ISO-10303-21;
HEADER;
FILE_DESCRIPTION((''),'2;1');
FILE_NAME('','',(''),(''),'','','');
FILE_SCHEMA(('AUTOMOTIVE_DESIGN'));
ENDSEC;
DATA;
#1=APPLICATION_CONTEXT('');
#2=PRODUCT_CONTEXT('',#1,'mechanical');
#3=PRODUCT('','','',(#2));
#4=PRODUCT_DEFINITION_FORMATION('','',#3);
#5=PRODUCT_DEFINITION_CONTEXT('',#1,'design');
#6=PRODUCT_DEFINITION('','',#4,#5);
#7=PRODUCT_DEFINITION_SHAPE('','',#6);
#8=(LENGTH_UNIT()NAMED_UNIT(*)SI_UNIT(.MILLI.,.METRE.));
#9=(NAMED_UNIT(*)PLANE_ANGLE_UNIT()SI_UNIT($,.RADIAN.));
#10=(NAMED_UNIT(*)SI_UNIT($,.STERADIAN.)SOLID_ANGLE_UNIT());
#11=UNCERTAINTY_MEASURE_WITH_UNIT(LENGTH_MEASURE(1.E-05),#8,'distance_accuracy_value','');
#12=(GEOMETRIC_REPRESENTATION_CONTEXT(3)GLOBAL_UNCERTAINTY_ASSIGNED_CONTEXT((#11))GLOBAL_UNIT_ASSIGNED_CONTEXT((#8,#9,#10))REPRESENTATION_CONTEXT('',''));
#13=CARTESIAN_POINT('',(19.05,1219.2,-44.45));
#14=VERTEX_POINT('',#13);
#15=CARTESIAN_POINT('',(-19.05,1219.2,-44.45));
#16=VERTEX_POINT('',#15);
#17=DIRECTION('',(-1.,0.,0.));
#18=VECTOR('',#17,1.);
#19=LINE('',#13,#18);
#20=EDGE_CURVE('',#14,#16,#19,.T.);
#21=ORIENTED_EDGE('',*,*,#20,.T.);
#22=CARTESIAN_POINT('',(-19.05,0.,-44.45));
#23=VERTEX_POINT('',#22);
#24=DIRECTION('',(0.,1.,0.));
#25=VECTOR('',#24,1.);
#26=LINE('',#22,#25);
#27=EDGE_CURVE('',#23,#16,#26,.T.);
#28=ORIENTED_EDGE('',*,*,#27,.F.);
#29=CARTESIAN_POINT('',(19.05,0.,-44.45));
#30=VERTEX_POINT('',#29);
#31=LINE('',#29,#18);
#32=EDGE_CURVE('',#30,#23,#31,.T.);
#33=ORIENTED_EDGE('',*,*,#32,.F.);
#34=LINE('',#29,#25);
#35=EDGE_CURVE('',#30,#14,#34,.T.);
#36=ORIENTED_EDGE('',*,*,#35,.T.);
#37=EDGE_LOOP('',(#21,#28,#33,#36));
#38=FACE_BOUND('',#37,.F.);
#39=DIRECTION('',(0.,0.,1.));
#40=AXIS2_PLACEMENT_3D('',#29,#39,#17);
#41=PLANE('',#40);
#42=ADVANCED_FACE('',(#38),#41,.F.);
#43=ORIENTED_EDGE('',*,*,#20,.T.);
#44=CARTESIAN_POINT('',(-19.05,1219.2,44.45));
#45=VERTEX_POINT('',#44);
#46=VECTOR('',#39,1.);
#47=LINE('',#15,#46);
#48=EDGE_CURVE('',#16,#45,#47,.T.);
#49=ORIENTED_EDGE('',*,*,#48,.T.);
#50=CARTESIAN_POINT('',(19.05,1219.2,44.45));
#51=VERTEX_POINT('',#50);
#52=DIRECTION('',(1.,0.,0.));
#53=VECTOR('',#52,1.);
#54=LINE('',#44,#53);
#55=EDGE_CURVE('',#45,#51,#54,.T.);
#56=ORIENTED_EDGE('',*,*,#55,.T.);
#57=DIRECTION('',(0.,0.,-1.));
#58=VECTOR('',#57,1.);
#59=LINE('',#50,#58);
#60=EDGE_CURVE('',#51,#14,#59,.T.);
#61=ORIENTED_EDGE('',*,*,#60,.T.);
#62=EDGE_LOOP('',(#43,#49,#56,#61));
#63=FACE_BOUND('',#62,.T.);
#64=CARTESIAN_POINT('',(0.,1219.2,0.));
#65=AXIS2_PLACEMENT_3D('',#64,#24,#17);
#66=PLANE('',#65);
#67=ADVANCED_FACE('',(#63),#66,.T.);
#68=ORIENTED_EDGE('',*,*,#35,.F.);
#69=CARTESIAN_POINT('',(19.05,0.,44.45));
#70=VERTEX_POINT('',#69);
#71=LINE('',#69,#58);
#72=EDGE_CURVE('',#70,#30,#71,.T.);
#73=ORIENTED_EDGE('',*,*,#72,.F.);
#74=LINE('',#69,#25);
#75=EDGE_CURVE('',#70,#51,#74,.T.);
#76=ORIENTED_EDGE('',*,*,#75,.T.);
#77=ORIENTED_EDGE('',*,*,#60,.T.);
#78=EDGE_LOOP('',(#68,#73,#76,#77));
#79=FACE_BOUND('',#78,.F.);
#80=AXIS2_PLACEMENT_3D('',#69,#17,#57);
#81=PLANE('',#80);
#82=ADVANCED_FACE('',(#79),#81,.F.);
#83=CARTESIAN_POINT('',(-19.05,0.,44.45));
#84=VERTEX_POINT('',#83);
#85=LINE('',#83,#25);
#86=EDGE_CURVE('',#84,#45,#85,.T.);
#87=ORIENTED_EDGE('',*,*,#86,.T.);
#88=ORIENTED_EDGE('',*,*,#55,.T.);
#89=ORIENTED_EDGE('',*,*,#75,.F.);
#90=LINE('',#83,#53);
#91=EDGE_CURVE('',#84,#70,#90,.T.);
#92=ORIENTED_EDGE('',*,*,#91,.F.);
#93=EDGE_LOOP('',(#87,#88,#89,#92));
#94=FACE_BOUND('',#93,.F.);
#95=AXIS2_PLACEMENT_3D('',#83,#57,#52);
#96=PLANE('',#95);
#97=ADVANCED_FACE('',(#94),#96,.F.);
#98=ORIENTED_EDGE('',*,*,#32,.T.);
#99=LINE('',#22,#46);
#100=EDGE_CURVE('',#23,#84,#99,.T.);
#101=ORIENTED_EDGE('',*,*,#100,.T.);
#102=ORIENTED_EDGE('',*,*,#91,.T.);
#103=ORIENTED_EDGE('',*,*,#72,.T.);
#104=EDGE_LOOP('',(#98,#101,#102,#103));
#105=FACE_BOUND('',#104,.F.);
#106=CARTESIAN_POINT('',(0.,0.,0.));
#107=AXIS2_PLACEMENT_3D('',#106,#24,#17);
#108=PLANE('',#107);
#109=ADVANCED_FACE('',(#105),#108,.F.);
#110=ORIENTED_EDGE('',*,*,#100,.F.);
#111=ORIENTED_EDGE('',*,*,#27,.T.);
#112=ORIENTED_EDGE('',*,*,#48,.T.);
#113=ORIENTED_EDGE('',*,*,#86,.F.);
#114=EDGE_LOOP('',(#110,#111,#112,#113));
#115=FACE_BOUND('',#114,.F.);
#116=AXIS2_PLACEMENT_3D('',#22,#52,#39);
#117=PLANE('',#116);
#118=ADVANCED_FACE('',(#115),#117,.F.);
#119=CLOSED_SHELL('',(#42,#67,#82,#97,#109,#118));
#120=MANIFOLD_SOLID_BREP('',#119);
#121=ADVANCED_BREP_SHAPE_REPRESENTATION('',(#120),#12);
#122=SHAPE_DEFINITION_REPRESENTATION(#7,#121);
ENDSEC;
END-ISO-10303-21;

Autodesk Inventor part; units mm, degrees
ref_plane "YZ Plane" through (0, 0, 0) normal (1, 0, 0) x (0, 1, 0)
ref_plane "XZ Plane" through (0, 0, 0) normal (0, 1, 0) x (-1, 0, 0)
ref_plane "XY Plane" through (0, 0, 0) normal (0, 0, 1) x (1, 0, 0)
sketch "Sketch1" plane through (0, 0, 0) normal (0, 1, 0) x (-1, 0, 0)
  line L0 (19.05, 44.45) -> (-19.05, 44.45)
  line L1 (-19.05, 44.45) -> (-19.05, -44.45)
  line L2 (-19.05, -44.45) -> (19.05, -44.45)
  line L3 (19.05, -44.45) -> (19.05, 44.45)
  line L4 (19.05, 44.45) -> (-19.05, -44.45) construction
  line L5 (-19.05, 44.45) -> (19.05, -44.45) construction
  point P0 (0, 0)
  dimension "d1" = 38.1
  dimension "d2" = 88.9
extrude "Extrusion1" add sketch "Sketch1" along normal blind 1219.2
properties part number "2x4x30"
